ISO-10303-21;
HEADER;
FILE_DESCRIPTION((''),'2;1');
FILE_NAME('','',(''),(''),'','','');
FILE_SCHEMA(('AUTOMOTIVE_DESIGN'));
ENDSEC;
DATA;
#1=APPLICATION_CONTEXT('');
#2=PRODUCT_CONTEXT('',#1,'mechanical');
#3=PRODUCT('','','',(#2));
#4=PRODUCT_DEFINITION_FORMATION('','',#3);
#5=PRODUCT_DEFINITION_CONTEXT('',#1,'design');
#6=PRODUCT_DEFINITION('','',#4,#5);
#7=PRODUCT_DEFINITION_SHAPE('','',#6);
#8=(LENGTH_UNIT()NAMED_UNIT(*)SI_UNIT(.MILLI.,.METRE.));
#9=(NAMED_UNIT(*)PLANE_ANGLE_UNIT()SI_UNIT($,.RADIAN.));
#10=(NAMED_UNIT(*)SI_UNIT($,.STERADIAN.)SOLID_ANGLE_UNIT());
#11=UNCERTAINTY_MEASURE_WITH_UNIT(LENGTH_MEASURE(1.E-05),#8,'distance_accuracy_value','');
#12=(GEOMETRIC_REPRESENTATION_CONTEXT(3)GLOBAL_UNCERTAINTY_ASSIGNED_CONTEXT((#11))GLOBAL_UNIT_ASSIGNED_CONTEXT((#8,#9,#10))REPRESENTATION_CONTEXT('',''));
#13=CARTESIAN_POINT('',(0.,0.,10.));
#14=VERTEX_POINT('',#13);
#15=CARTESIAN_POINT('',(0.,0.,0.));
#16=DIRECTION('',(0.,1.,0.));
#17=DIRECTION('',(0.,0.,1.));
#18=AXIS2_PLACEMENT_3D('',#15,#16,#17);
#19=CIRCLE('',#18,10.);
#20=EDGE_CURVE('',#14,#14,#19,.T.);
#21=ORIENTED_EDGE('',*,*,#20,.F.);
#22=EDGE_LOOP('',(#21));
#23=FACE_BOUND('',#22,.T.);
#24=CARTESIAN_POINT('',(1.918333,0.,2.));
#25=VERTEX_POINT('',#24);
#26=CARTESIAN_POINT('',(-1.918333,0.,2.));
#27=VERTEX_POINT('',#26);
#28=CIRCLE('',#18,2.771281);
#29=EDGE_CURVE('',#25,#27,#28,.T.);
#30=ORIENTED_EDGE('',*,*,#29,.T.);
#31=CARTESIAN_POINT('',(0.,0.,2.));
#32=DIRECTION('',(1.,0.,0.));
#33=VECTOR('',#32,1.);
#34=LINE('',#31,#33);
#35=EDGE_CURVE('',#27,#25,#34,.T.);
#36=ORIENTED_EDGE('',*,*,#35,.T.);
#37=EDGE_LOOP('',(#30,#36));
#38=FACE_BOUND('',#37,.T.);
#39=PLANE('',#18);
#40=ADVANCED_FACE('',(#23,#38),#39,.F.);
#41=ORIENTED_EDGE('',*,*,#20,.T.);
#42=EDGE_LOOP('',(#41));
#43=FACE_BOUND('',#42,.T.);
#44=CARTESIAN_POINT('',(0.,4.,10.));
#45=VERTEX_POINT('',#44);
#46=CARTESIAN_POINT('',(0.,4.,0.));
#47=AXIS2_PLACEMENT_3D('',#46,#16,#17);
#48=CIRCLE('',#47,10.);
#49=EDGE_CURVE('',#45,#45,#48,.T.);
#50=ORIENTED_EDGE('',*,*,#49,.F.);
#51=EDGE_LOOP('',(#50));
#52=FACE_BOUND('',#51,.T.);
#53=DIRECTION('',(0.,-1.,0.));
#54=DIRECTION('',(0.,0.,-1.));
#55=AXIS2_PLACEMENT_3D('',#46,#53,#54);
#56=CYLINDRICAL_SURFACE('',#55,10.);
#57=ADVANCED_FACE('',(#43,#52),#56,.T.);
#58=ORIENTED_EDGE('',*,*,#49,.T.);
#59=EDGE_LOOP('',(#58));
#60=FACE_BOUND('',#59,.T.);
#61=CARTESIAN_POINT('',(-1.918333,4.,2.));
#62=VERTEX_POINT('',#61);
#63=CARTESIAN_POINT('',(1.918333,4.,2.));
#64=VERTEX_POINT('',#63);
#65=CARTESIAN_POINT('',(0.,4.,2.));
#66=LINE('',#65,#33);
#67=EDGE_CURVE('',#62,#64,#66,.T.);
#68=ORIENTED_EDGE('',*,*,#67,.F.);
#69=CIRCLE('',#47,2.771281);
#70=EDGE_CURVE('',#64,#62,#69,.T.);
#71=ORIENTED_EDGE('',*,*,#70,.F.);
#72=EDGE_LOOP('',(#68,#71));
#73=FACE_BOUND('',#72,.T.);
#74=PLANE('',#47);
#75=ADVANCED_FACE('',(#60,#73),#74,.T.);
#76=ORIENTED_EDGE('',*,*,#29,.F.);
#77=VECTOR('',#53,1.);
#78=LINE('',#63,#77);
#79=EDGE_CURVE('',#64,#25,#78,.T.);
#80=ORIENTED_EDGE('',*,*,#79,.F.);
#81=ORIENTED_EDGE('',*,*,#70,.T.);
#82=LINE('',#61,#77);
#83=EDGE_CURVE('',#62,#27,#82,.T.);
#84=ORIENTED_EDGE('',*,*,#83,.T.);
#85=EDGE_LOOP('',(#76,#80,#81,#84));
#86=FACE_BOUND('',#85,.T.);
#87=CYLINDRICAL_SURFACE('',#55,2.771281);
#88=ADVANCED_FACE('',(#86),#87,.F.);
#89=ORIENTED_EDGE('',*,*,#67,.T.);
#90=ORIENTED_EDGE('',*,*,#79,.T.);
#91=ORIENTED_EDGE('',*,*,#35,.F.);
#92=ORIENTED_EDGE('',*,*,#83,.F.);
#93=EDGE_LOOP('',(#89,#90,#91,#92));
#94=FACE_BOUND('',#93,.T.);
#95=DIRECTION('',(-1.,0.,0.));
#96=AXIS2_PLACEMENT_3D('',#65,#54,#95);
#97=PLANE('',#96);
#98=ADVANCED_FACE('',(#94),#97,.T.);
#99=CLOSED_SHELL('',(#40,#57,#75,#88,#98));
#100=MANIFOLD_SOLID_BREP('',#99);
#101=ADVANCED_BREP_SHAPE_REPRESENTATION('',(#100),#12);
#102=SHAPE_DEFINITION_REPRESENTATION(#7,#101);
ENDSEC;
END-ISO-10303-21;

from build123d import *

# Parameters (mm, degrees)
SKETCH1_R           = 10
BOSS_EXTRUDE1_DEPTH = 4


with BuildPart() as part:
    # Sketch1 → Boss-Extrude1 (new body)
    with BuildSketch(Plane(origin=(0, 0, 0), x_dir=(1, 0, 0), z_dir=(0, 1, 0))):
        Circle(SKETCH1_R)
        with BuildLine():
            Line((-1.918332609, -2), (1.918332609, -2))
            ThreePointArc((1.918332609, -2), (0, 2.771281292), (-1.918332609, -2))
        make_face(mode=Mode.SUBTRACT)
    extrude(amount=BOSS_EXTRUDE1_DEPTH)


solid = part.part
